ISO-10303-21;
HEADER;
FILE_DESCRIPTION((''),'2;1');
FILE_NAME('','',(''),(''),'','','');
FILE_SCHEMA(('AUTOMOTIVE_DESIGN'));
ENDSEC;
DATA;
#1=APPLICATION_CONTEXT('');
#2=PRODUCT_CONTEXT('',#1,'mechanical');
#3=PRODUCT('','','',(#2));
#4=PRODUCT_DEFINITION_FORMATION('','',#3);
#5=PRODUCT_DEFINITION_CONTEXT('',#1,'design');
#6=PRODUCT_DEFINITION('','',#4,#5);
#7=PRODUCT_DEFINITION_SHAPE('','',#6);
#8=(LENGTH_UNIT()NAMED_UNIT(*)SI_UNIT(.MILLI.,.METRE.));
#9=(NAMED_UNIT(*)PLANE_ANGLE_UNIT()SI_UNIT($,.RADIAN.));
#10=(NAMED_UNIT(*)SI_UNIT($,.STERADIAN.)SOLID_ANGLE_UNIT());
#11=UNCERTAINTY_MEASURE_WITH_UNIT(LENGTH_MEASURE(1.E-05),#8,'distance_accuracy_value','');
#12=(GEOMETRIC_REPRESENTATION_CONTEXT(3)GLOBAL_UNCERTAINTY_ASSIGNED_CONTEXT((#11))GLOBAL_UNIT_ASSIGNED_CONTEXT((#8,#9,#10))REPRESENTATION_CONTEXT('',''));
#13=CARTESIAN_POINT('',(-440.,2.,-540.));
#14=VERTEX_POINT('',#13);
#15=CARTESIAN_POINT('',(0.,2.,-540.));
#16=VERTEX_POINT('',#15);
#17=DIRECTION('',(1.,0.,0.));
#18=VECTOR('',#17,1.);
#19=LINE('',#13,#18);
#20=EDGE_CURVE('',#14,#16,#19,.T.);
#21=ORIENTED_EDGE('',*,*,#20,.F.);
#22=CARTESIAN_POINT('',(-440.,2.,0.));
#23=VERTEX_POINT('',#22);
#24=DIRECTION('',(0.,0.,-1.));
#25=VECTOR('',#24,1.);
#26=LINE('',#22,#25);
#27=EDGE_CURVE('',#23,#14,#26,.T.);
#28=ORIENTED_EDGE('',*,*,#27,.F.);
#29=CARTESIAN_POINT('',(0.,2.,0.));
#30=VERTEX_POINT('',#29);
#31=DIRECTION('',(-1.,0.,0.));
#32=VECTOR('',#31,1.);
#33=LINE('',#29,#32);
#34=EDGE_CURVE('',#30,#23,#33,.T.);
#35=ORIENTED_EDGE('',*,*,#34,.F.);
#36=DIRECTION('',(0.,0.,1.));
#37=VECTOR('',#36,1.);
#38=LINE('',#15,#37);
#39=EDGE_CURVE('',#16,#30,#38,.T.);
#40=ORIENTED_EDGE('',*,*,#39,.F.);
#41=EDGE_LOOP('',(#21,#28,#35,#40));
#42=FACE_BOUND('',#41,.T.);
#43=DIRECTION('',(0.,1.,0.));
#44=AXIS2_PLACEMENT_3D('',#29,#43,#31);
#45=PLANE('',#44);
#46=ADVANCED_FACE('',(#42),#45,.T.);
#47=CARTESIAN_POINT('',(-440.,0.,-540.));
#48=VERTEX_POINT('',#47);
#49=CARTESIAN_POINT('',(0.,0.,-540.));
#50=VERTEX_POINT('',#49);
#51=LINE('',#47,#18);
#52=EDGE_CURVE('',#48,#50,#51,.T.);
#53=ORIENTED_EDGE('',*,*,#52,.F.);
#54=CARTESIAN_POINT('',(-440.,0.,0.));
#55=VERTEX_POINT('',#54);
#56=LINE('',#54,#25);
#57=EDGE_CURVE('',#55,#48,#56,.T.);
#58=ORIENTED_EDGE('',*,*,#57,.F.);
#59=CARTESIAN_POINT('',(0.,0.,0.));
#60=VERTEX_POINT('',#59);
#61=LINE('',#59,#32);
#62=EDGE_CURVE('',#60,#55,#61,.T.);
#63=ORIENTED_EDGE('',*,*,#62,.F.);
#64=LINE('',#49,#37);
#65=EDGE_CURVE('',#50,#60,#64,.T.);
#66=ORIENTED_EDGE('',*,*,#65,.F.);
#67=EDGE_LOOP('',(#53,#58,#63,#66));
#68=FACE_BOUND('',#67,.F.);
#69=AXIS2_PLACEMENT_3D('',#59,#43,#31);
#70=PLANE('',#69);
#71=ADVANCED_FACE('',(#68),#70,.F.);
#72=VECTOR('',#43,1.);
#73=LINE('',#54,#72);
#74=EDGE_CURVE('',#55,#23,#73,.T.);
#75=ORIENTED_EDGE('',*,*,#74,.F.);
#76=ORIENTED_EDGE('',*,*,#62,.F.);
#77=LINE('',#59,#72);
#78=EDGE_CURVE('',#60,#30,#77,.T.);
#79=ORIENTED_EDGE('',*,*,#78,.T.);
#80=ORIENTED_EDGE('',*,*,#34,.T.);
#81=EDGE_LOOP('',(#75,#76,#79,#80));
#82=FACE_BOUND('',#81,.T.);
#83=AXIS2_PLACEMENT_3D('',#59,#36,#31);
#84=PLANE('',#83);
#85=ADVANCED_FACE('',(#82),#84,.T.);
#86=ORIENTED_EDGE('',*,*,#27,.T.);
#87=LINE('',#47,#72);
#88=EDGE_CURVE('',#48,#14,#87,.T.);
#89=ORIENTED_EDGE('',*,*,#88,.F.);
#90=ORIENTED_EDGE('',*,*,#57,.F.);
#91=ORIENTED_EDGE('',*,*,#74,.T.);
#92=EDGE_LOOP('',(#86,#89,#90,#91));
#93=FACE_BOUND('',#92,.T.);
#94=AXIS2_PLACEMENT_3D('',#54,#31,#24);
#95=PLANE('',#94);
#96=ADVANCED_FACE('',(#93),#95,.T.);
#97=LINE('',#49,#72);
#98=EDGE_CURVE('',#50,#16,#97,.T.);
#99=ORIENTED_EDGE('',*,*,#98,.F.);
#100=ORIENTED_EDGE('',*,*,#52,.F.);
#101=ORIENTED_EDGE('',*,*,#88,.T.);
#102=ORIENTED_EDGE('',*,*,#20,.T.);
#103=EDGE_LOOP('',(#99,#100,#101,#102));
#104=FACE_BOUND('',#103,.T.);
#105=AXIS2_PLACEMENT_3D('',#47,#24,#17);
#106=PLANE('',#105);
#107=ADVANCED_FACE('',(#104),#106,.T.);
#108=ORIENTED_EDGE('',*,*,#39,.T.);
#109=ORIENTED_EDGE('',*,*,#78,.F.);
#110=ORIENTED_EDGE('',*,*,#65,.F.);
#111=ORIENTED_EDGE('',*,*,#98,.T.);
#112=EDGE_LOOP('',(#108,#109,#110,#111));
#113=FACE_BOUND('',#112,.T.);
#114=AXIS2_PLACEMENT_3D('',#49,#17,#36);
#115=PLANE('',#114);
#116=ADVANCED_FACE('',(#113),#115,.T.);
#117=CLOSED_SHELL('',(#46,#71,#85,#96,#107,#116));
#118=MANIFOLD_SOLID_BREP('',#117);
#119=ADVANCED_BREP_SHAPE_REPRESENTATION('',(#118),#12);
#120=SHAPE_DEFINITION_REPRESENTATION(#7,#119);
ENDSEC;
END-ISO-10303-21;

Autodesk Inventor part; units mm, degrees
ref_plane "YZ Plane" through (0, 0, 0) normal (1, 0, 0) x (0, 1, 0)
ref_plane "XZ Plane" through (0, 0, 0) normal (0, 1, 0) x (-1, 0, 0)
ref_plane "XY Plane" through (0, 0, 0) normal (0, 0, 1) x (1, 0, 0)
sketch "Эскиз1" plane through (0, 0, 0) normal (0, 1, 0) x (-1, 0, 0)
  line L0 (0, 0) -> (440, 0)
  line L1 (440, 0) -> (440, -540)
  line L2 (440, -540) -> (0, -540)
  line L3 (0, -540) -> (0, 0)
  dimension "d0" = 440
  dimension "d1" = 540
extrude "Выдавливание1" add sketch "Эскиз1" along normal blind 2
properties part number "Wall_Top"
